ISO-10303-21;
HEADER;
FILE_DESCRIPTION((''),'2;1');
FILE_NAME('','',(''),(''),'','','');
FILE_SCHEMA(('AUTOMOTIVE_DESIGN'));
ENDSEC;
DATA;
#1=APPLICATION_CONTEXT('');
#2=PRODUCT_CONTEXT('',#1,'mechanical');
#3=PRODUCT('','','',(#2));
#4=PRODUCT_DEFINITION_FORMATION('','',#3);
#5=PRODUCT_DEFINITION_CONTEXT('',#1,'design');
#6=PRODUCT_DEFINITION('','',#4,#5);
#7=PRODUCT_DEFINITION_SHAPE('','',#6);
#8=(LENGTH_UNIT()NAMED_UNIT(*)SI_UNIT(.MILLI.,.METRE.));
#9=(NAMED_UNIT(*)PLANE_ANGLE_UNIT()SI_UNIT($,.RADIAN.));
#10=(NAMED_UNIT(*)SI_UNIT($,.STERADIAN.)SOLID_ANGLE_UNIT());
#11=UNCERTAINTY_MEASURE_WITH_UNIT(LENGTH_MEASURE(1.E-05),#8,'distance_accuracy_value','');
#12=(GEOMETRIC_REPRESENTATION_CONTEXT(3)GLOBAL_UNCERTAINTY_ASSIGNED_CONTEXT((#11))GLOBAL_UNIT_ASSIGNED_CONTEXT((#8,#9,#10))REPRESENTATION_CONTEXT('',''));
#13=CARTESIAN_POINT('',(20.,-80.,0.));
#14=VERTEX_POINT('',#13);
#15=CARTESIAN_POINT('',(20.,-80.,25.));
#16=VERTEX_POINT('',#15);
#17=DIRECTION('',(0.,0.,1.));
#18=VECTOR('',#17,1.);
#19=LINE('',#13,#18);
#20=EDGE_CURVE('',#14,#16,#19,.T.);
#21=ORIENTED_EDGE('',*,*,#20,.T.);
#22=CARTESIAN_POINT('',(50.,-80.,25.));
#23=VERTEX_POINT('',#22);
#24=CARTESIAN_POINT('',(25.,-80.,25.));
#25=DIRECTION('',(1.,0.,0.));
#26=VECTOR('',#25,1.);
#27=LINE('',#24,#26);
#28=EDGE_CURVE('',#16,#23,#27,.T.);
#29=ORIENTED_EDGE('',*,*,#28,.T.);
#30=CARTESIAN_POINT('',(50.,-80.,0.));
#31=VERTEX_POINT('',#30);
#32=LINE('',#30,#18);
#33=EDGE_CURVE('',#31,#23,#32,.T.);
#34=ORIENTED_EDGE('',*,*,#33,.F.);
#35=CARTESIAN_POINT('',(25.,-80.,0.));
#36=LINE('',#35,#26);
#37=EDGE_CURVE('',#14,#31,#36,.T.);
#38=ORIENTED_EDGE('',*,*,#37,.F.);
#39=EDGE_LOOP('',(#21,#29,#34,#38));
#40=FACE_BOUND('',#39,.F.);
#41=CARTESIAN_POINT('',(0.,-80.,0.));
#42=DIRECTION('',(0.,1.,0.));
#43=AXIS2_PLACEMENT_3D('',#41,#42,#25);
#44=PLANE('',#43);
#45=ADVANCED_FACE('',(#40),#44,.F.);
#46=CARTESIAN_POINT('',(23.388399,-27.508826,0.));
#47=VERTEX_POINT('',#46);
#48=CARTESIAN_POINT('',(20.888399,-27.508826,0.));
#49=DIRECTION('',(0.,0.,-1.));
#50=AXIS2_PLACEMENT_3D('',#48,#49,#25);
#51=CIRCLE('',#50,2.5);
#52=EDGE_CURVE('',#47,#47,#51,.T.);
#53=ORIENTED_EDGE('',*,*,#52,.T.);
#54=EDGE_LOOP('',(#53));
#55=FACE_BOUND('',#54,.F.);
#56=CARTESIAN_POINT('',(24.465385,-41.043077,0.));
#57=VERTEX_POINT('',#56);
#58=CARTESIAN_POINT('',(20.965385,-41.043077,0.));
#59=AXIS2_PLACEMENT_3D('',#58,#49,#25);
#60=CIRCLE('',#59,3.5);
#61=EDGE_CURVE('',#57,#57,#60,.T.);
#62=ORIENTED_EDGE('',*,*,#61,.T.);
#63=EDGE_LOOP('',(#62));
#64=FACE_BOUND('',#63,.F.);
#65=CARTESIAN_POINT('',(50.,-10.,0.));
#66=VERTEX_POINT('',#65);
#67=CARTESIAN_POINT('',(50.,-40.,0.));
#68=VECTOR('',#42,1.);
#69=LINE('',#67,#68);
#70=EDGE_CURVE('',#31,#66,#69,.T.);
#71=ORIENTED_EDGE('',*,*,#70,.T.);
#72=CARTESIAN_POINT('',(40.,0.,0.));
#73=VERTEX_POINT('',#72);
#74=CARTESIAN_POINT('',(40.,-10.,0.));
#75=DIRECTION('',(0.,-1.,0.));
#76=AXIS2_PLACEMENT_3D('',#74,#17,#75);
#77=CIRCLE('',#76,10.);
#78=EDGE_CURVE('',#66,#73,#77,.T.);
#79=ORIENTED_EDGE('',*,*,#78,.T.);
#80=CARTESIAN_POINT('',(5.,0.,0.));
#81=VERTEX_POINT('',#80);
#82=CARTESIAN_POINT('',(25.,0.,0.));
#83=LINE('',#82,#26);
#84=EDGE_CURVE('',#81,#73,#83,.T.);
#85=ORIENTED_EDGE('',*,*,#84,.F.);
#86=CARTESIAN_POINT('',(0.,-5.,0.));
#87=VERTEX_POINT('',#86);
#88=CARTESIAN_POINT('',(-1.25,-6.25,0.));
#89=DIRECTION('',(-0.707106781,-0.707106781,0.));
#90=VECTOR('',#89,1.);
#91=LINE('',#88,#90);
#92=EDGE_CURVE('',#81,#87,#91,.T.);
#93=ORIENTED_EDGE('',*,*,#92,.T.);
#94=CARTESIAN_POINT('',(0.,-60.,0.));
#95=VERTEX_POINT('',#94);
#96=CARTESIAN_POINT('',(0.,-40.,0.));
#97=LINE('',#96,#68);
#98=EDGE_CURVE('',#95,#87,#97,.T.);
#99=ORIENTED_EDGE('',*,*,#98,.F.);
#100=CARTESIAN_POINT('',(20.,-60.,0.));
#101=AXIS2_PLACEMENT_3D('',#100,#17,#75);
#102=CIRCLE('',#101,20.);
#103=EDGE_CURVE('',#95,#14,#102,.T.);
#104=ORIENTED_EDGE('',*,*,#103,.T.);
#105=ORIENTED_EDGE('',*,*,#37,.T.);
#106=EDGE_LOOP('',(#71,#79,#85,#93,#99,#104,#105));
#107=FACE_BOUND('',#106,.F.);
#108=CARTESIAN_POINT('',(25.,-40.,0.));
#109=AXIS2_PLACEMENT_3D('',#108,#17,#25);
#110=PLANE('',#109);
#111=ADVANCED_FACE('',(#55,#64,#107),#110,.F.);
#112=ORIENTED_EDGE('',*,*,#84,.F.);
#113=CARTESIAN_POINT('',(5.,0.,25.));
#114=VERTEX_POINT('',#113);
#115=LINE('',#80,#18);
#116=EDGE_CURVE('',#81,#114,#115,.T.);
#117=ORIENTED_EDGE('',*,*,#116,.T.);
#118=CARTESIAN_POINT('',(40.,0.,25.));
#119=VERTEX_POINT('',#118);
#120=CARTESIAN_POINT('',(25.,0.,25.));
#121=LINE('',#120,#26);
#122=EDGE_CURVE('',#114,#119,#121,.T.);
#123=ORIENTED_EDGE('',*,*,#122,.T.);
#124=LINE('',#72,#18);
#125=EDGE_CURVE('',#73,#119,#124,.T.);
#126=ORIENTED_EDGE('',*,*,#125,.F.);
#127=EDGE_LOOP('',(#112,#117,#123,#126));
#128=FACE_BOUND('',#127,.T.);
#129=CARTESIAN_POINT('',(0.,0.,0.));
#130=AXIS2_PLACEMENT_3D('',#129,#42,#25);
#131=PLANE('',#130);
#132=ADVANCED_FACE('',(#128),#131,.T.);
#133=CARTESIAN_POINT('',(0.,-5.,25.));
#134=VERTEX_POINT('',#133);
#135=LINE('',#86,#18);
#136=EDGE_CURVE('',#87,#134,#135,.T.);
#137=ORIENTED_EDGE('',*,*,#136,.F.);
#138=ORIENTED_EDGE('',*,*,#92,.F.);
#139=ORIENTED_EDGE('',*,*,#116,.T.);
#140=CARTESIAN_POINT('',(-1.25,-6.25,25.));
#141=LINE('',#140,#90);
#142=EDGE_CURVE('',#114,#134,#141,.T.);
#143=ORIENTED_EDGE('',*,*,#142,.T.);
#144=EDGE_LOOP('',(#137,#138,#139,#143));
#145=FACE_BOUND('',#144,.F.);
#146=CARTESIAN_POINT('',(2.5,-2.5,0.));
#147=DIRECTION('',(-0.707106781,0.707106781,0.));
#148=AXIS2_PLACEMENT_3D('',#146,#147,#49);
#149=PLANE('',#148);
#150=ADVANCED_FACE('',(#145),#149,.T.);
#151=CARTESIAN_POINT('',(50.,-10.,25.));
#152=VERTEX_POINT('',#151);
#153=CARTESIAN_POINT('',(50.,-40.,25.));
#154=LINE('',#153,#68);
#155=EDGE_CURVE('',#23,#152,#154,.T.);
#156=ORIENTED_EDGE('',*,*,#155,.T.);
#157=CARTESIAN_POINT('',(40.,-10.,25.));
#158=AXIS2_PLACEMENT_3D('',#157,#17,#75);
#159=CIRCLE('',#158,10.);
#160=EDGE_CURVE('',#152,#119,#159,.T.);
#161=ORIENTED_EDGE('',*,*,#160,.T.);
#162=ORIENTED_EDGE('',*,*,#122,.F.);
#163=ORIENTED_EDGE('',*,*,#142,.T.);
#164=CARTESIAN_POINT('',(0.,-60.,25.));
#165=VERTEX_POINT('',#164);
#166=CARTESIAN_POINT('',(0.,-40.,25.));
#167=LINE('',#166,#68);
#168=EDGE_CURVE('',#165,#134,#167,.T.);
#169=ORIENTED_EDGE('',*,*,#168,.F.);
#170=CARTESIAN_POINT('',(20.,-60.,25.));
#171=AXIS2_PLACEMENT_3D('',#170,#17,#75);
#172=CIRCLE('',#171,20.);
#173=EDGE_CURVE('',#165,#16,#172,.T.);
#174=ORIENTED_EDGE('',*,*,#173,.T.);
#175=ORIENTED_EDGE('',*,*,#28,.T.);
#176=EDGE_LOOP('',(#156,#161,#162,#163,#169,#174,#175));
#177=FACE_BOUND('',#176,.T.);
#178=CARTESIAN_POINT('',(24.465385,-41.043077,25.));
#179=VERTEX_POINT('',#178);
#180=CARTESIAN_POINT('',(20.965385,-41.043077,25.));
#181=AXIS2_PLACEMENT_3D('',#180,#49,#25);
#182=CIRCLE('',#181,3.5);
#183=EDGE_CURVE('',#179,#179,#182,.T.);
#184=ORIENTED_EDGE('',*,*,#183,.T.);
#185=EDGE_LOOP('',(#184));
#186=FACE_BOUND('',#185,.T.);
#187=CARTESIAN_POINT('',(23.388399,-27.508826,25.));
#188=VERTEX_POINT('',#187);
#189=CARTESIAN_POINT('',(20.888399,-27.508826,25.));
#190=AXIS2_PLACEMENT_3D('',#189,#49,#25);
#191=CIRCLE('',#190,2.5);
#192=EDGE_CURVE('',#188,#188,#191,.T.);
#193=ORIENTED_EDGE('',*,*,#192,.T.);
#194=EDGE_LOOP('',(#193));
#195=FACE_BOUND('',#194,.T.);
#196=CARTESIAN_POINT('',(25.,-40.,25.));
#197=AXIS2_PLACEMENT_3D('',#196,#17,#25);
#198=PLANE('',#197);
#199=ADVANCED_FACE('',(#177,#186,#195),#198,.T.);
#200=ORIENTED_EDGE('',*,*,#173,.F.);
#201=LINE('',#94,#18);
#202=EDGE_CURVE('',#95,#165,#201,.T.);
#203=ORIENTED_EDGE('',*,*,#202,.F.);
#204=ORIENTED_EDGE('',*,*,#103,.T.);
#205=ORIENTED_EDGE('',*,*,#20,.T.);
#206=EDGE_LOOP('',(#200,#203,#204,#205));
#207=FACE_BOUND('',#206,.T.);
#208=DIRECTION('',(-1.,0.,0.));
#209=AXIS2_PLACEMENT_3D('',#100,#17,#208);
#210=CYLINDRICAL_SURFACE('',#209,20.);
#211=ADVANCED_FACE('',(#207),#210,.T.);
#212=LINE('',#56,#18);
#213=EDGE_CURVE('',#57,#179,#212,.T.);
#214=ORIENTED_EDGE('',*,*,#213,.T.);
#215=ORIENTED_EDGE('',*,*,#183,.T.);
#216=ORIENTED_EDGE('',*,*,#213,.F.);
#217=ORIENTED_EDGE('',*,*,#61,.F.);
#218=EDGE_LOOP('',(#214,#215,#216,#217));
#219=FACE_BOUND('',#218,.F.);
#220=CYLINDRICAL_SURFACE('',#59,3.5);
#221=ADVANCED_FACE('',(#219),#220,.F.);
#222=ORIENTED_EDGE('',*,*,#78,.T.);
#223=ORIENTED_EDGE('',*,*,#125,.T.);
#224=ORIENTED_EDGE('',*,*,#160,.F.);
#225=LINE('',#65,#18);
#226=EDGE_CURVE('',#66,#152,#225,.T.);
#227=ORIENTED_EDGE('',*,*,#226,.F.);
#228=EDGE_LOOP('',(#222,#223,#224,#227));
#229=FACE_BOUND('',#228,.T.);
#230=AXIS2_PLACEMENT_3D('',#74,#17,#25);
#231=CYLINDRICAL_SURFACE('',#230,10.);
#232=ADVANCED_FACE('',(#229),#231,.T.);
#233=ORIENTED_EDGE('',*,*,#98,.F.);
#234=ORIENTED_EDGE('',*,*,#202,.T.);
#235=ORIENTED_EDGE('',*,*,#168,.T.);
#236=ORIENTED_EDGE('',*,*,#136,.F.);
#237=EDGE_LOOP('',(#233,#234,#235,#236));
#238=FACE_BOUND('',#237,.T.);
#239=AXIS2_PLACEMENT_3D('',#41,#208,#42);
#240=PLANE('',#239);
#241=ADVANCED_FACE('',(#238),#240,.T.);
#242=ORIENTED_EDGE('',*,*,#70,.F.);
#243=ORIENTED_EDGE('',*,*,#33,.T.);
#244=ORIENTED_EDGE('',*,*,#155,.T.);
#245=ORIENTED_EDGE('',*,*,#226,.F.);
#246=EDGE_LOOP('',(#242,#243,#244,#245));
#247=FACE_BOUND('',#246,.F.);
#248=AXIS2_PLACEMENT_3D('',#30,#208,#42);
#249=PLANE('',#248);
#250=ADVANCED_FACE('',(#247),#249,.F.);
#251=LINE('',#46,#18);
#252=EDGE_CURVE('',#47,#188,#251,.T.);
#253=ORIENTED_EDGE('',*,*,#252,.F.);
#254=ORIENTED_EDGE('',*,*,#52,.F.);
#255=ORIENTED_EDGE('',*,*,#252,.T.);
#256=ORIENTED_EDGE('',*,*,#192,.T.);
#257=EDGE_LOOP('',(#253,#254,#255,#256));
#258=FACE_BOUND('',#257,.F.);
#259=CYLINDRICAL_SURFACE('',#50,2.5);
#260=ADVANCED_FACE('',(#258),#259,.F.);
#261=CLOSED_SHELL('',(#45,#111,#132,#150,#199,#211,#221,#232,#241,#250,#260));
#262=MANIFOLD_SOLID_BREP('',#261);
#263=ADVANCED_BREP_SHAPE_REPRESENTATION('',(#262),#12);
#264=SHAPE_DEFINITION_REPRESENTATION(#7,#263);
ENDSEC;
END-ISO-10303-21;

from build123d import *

# Parameters (mm, degrees)
F0_W     = 50
F0_H     = 80
F1_DEPTH = 25
F2_R     = 10
F3_SIZE  = 5
F4_R     = 20
F5_R     = 2.5
F5_R_2   = 3.5
F6_DEPTH = 30


with BuildPart() as f1:
    # F0 (on Top) → F1 (new body)
    with BuildSketch(Plane.XY):
        with Locations((25, -40)):
            Rectangle(F0_W, F0_H)
    extrude(amount=F1_DEPTH)

    # F2
    f2_edges = [f1.edges().sort_by_distance(p)[0] for p in [
        (50, 0, 12.5),
    ]]
    fillet(f2_edges, radius=F2_R)

    # F3
    f3_edges = [f1.edges().sort_by_distance(p)[0] for p in [
        (0, 0, 12.5),
    ]]
    chamfer(f3_edges, length=F3_SIZE)

    # F4
    f4_edges = [f1.edges().sort_by_distance(p)[0] for p in [
        (0, -80, 12.5),
    ]]
    fillet(f4_edges, radius=F4_R)

    # F5 (on face) → F6 (cut)
    with BuildSketch(Plane(origin=(0, 0, 0), x_dir=(1, 0, 0), z_dir=(0, 0, -1))):
        with Locations((20.888399, 27.508826)):
            Circle(F5_R)
        with Locations((20.965385, 41.043077)):
            Circle(F5_R_2)
    extrude(amount=-F6_DEPTH, mode=Mode.SUBTRACT)


solid = f1.part
